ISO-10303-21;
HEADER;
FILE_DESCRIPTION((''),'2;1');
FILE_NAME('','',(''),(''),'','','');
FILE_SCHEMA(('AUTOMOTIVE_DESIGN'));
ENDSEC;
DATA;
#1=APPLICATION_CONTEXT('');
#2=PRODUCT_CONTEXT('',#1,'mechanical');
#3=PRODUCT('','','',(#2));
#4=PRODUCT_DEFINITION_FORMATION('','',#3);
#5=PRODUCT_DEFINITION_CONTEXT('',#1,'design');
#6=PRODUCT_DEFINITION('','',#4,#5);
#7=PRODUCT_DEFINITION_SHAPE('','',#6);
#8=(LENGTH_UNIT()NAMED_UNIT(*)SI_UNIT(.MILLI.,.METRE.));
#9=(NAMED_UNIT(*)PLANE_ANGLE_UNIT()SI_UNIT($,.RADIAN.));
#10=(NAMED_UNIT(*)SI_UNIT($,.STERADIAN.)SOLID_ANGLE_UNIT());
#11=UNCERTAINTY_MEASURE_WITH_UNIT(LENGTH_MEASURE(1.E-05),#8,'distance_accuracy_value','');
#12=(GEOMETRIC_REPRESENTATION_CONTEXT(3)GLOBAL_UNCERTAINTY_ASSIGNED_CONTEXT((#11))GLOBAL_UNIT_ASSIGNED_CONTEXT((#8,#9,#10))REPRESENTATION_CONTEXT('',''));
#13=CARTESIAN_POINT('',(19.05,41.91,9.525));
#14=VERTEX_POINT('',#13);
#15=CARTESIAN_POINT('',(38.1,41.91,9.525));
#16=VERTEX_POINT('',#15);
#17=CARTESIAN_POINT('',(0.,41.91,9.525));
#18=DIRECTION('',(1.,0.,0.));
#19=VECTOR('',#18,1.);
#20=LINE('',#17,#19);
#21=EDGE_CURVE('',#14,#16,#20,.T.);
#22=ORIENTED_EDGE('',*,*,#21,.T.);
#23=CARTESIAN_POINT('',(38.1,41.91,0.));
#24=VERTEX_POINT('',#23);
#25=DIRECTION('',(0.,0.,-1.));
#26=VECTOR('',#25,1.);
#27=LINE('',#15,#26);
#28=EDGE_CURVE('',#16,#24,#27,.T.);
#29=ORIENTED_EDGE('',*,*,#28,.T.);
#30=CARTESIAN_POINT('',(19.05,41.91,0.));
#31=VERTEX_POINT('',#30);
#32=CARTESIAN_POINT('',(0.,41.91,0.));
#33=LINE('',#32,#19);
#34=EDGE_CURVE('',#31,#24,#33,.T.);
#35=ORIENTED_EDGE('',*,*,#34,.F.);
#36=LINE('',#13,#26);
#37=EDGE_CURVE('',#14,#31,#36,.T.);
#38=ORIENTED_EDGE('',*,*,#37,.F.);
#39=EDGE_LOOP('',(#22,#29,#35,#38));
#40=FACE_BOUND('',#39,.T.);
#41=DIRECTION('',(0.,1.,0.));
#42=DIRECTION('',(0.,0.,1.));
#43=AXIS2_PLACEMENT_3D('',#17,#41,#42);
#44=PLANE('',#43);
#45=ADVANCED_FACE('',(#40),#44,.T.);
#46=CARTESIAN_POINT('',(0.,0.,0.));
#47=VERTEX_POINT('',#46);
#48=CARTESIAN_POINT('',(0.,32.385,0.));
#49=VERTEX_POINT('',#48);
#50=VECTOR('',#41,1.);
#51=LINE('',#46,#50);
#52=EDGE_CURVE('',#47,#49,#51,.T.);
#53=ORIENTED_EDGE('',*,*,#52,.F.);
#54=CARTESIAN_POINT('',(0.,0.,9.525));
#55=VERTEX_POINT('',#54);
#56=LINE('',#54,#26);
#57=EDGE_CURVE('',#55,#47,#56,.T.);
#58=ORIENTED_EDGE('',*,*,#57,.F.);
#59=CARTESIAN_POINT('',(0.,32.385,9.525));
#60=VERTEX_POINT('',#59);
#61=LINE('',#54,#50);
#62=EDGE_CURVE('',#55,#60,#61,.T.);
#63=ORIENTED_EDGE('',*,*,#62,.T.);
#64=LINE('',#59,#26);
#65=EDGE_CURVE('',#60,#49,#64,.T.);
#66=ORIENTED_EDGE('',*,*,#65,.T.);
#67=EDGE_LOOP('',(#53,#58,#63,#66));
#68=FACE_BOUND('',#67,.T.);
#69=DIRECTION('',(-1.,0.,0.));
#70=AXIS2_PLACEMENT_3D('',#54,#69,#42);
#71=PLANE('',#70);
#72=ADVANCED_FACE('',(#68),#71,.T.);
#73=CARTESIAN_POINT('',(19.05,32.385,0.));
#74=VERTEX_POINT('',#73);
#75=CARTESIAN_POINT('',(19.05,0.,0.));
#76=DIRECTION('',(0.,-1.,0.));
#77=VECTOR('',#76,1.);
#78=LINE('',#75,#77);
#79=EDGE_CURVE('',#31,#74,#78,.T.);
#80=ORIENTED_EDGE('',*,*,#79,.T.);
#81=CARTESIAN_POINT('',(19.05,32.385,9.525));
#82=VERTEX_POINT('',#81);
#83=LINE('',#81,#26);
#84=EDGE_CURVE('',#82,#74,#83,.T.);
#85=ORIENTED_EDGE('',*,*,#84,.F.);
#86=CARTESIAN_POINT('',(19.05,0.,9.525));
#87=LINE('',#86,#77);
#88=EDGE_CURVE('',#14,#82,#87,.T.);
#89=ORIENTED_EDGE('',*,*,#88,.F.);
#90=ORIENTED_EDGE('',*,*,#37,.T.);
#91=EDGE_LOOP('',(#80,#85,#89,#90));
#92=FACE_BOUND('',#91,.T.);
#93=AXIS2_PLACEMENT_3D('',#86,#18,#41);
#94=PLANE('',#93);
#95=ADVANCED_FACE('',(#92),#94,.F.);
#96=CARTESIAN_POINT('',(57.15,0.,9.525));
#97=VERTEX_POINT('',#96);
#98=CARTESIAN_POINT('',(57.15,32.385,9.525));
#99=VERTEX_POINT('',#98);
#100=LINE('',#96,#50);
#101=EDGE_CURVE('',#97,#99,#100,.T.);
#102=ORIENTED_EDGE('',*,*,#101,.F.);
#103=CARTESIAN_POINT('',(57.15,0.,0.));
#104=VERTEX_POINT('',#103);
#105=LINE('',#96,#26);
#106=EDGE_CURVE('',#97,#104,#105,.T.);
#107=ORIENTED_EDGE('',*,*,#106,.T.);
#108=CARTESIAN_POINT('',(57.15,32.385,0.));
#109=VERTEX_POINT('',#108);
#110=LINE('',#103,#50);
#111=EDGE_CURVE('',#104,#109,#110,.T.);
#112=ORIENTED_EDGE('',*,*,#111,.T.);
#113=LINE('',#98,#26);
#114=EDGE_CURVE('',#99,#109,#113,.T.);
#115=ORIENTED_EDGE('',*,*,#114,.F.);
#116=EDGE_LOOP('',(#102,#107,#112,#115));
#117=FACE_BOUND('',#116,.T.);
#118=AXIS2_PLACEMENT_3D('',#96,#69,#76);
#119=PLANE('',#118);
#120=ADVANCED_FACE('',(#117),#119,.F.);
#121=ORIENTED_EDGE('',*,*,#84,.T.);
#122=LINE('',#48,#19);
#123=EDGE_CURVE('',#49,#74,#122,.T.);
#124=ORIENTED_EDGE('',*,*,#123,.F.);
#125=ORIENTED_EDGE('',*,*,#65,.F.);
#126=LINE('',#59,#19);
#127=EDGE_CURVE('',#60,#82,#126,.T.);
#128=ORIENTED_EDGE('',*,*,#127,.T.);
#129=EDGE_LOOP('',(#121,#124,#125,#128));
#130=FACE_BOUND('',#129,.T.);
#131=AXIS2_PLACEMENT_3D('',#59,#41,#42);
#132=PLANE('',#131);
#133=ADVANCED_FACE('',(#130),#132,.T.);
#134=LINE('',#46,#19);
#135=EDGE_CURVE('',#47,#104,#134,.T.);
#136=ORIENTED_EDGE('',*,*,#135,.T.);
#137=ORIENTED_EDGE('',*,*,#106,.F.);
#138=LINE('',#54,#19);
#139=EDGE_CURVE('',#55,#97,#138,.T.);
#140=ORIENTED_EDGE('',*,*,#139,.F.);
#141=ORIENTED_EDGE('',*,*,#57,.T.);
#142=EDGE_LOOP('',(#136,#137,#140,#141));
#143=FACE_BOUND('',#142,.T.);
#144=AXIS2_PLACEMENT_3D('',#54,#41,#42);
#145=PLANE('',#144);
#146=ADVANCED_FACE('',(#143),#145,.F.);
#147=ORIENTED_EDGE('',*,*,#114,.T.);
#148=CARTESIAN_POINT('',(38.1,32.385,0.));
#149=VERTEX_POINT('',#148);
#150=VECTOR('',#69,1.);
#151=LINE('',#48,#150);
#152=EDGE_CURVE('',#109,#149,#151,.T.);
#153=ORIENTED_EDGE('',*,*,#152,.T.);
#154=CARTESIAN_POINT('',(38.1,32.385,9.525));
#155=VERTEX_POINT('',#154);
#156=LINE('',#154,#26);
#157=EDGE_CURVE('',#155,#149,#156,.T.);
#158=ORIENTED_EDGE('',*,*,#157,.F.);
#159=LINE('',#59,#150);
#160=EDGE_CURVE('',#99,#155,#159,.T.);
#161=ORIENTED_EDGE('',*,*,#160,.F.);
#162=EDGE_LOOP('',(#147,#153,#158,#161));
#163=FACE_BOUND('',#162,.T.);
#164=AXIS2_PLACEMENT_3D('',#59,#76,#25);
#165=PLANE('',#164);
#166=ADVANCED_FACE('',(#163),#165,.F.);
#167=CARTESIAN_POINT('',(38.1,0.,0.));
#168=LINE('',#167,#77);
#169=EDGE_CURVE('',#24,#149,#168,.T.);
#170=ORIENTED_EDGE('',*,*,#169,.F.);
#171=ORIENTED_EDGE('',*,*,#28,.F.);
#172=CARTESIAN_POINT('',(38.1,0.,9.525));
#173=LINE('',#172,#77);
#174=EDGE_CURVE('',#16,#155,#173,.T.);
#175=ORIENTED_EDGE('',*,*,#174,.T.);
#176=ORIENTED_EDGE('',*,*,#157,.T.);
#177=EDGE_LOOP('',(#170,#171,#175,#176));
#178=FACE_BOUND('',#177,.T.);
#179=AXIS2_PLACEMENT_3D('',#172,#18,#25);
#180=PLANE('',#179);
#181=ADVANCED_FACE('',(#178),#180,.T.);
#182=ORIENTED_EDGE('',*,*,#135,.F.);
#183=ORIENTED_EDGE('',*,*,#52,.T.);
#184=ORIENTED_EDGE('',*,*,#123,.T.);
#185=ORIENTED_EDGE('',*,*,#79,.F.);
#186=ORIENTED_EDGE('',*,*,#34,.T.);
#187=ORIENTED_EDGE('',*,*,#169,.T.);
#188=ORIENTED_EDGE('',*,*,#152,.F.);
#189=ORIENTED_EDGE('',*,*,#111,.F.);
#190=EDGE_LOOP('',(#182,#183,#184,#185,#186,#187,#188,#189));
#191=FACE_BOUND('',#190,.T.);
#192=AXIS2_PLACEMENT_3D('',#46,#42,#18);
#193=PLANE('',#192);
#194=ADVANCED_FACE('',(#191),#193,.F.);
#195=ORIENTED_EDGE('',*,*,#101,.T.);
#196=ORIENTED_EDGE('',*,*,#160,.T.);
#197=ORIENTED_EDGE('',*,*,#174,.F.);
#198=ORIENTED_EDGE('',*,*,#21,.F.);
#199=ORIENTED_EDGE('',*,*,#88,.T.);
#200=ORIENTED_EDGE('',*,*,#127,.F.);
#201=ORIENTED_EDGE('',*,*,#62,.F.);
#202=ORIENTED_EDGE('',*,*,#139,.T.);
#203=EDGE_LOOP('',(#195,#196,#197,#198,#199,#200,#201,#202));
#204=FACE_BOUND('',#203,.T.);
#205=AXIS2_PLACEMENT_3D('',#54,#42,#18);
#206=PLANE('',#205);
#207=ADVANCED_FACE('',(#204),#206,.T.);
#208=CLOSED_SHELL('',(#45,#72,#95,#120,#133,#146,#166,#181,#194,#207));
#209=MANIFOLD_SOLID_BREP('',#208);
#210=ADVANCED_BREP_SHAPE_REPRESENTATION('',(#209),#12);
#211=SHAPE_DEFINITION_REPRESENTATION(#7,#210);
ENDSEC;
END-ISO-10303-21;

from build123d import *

# Parameters (mm, degrees)
BOSS_EXTRUDE1_DEPTH = 9.525


with BuildPart() as part:
    # Sketch2 → Boss-Extrude1 (new body)
    with BuildSketch(Plane.XY):
        Polygon((0, 32.385), (0, 0), (57.15, 0), (57.15, 32.385), (38.1, 32.385), (38.1, 41.91), (19.05, 41.91), (19.05, 32.385), align=None)
    extrude(amount=BOSS_EXTRUDE1_DEPTH)


solid = part.part
